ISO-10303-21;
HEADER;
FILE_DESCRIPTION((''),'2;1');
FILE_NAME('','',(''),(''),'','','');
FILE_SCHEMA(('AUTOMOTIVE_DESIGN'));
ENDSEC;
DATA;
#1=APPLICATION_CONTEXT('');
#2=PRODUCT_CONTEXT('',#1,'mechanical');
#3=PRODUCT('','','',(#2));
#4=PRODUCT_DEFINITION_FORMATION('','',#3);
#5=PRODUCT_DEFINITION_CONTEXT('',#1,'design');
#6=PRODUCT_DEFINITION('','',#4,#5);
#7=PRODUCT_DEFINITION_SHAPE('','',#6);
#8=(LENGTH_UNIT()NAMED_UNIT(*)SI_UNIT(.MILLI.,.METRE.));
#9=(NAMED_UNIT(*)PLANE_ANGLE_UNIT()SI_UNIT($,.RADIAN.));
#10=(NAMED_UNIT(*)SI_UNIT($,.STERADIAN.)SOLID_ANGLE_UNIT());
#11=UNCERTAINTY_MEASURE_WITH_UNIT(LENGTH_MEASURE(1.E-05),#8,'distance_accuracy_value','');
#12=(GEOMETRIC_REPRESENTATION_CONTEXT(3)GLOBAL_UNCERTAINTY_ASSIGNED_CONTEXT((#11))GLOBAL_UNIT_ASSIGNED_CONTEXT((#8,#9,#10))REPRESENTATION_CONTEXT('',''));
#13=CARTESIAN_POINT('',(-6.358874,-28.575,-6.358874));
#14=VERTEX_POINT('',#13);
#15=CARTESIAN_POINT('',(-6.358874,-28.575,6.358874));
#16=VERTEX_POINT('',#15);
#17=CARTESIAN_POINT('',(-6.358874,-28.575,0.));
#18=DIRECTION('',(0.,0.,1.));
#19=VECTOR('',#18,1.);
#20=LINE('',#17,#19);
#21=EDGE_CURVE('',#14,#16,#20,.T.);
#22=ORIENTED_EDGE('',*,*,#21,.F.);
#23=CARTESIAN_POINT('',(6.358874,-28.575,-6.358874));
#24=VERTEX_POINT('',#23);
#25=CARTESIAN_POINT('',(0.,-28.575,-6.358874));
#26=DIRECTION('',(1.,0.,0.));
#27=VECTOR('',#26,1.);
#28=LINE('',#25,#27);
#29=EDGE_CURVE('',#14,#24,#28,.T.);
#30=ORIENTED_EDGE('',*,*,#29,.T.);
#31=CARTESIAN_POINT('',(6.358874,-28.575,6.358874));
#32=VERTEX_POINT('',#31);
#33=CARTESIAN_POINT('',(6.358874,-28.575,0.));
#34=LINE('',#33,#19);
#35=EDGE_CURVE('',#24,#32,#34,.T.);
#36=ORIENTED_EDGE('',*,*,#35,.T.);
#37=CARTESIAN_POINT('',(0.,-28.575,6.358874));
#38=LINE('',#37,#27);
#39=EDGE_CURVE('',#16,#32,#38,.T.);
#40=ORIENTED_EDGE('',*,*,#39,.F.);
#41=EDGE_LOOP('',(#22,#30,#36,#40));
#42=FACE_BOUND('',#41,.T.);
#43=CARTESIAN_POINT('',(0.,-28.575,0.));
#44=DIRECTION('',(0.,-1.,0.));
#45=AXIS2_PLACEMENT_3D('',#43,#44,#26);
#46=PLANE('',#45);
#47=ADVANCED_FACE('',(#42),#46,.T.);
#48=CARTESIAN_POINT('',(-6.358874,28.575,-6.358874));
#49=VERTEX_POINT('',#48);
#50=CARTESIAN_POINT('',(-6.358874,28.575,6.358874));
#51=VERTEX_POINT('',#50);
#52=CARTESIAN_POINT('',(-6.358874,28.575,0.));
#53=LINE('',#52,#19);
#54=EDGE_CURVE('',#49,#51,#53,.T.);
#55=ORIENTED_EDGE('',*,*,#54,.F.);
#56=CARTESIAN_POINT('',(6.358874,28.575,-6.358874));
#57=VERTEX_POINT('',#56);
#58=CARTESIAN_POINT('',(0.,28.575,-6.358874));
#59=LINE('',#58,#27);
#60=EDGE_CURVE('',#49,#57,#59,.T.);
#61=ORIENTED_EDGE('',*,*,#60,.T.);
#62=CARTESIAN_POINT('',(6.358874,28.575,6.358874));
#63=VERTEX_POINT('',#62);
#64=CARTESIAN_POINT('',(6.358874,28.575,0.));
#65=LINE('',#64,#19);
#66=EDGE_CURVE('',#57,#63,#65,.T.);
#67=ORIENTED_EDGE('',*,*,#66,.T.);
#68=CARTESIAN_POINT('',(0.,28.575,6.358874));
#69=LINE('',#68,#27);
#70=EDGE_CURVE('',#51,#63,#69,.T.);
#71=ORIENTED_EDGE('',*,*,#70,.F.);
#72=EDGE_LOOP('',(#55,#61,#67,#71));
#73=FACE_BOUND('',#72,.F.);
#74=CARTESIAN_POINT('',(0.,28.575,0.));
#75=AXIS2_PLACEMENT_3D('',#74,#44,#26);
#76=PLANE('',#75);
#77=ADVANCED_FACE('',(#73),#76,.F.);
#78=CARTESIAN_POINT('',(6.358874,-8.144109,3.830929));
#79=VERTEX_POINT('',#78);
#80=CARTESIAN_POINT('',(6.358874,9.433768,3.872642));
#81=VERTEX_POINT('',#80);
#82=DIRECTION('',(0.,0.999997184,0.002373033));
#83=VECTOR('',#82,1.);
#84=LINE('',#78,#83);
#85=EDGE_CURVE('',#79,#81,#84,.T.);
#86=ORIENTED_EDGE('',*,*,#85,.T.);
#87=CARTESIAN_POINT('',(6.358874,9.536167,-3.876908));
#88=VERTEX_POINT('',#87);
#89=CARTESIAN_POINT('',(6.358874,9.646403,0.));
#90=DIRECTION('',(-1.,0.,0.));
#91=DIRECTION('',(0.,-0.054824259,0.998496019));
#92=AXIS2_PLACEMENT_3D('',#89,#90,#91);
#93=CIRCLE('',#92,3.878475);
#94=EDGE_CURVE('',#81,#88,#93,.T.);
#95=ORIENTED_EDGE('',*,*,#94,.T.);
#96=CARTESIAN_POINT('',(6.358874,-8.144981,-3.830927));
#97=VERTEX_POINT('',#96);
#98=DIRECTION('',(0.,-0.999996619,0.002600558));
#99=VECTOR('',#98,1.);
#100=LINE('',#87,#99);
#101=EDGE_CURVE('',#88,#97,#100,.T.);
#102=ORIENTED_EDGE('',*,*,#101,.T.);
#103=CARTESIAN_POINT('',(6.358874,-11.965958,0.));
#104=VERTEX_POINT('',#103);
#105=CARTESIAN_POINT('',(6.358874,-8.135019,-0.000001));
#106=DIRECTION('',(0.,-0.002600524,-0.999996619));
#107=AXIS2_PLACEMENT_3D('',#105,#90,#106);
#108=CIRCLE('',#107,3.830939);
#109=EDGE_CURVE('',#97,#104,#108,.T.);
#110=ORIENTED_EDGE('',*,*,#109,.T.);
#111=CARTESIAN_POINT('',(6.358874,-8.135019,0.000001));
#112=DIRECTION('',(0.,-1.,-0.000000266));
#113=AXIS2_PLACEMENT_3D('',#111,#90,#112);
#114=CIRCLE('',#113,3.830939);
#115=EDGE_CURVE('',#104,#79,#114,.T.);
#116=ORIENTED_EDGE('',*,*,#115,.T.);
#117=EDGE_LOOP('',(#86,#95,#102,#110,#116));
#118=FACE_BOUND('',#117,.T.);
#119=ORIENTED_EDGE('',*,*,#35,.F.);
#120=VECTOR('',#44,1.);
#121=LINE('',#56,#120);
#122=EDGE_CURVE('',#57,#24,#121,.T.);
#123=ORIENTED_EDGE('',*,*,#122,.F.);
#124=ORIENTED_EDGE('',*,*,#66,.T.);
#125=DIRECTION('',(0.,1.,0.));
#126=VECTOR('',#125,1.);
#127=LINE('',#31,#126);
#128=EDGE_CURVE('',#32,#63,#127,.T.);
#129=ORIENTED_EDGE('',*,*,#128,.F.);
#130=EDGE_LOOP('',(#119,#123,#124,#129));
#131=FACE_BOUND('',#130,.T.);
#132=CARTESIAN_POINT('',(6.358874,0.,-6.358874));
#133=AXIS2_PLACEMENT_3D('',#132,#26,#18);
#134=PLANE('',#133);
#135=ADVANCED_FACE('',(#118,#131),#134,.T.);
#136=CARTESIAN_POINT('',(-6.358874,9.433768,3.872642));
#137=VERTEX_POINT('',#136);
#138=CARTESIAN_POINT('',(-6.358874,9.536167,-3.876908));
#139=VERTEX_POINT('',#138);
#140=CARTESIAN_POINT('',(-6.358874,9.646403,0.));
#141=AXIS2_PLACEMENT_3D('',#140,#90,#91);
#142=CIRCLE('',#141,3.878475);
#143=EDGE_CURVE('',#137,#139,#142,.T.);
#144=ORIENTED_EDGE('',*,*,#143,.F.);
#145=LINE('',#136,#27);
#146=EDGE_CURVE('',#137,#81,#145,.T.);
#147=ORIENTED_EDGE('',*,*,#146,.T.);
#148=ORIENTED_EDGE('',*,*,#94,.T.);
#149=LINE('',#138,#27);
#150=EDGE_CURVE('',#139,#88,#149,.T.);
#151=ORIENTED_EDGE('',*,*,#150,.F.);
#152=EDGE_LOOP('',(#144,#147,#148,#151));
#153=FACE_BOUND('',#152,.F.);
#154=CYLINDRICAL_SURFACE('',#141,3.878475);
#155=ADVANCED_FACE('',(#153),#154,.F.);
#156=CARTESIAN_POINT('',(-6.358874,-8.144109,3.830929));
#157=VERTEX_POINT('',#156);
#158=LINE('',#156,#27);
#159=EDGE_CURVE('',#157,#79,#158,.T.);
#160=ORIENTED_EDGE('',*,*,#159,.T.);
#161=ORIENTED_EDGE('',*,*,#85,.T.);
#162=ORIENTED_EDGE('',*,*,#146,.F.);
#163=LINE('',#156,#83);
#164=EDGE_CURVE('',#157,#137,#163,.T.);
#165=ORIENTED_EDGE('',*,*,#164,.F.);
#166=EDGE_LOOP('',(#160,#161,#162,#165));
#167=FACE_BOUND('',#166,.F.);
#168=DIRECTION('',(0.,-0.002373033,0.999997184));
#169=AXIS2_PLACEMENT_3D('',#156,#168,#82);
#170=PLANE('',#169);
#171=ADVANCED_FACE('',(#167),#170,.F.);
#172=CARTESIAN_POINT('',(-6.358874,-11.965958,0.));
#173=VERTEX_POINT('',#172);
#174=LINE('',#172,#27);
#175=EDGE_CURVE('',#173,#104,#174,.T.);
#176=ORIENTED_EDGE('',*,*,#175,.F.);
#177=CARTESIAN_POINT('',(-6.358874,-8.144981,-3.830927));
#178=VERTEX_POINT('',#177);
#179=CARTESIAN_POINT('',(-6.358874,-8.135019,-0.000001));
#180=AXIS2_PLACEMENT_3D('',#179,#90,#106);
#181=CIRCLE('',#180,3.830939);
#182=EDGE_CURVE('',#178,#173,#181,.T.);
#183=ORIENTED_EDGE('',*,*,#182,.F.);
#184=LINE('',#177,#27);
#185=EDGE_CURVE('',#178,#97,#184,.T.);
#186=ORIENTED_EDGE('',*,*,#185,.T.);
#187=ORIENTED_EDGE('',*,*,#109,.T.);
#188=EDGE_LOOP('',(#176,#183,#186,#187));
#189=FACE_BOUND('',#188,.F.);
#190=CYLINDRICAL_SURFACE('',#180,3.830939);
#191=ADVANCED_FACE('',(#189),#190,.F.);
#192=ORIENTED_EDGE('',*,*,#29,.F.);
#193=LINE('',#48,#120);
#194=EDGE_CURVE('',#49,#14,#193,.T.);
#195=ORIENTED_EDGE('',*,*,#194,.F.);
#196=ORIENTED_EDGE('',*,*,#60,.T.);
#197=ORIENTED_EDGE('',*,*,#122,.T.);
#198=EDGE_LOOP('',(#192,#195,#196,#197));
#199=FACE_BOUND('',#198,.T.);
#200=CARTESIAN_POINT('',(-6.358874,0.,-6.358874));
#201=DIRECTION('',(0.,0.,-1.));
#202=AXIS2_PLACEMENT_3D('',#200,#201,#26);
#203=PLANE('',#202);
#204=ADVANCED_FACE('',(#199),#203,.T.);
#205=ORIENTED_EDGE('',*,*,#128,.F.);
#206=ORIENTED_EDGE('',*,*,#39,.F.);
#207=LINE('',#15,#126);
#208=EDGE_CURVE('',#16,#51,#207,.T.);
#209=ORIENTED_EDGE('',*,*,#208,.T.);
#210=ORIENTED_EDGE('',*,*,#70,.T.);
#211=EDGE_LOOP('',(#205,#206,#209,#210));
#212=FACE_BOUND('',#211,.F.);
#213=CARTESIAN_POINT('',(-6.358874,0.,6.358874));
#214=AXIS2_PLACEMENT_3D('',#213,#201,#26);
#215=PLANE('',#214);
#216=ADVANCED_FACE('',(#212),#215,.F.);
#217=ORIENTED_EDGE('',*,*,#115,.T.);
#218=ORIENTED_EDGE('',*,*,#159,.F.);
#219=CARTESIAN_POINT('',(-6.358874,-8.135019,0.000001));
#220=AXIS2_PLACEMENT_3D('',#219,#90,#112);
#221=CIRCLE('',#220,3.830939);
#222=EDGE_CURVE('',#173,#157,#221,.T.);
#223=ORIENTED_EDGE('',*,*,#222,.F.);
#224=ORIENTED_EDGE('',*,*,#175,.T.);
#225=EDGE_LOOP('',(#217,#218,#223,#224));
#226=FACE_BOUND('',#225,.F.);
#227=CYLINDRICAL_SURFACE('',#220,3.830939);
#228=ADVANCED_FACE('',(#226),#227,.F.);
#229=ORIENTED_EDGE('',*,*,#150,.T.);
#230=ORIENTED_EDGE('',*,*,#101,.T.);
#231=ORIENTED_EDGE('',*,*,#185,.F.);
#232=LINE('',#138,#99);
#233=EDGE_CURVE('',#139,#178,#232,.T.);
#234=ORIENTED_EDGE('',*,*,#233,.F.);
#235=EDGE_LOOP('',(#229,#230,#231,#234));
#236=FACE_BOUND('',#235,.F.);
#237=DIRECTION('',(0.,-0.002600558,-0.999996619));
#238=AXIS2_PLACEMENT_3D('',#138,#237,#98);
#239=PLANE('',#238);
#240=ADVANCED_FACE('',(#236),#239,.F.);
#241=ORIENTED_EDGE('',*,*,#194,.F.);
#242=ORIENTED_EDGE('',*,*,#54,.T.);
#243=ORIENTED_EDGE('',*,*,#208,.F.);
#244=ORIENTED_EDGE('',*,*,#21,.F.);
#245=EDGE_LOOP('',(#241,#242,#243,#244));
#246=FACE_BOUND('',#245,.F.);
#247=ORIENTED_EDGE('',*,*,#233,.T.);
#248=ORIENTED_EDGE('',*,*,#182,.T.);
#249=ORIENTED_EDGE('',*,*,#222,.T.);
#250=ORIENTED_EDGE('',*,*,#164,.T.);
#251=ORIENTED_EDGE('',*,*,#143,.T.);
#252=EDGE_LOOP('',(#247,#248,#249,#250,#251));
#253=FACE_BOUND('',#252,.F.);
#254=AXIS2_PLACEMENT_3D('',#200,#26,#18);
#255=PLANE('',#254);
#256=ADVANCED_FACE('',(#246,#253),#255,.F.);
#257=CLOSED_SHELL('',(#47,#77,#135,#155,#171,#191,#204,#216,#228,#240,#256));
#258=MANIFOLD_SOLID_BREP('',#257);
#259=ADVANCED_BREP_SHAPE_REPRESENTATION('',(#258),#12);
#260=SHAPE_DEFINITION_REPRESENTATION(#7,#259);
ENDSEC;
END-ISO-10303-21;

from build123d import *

# Parameters (mm, degrees)
F0_W     = 12.717748
F0_H     = 12.717748
F1_DEPTH = 28.575
F3_DEPTH = 12.717748


with BuildPart() as f1:
    # F0 (on Front) → F1 (new body, symmetric)
    with BuildSketch(Plane.XZ):
        Rectangle(F0_W, F0_H)
    extrude(amount=F1_DEPTH, both=True)

    # F2 (on face) → F3 (cut, through all)
    with BuildSketch(Plane(origin=(-6.358874, 0, 0), x_dir=(0, -1, 0), z_dir=(-1, 0, 0))):
        with BuildLine():
            ThreePointArc((-9.433768, 3.872642), (-6.829732, 2.666259), (-5.767928, 0))
            ThreePointArc((-5.767928, 0), (-6.865206, -2.703241), (-9.536167, -3.876908))
            Line((-9.536167, -3.876908), (8.144981, -3.830927))
            ThreePointArc((8.144981, -3.830927), (4.304078, -0.000436), (8.144109, 3.830929))
            Line((8.144109, 3.830929), (-9.433768, 3.872642))
        make_face()
        with BuildLine():
            ThreePointArc((11.965958, 0), (10.847114, 2.705668), (8.144109, 3.830929))
            ThreePointArc((8.144109, 3.830929), (4.304078, -0.000436), (8.144981, -3.830927))
            ThreePointArc((8.144981, -3.830927), (10.847422, -2.705359), (11.965958, 0))
        make_face()
        with BuildLine():
            ThreePointArc((-9.536167, -3.876908), (-6.865206, -2.703241), (-5.767928, 0))
            ThreePointArc((-5.767928, 0), (-6.829732, 2.666259), (-9.433768, 3.872642))
            ThreePointArc((-9.433768, 3.872642), (-13.524539, 0.051244), (-9.536167, -3.876908))
        make_face()
    extrude(amount=-F3_DEPTH, mode=Mode.SUBTRACT)


solid = f1.part
